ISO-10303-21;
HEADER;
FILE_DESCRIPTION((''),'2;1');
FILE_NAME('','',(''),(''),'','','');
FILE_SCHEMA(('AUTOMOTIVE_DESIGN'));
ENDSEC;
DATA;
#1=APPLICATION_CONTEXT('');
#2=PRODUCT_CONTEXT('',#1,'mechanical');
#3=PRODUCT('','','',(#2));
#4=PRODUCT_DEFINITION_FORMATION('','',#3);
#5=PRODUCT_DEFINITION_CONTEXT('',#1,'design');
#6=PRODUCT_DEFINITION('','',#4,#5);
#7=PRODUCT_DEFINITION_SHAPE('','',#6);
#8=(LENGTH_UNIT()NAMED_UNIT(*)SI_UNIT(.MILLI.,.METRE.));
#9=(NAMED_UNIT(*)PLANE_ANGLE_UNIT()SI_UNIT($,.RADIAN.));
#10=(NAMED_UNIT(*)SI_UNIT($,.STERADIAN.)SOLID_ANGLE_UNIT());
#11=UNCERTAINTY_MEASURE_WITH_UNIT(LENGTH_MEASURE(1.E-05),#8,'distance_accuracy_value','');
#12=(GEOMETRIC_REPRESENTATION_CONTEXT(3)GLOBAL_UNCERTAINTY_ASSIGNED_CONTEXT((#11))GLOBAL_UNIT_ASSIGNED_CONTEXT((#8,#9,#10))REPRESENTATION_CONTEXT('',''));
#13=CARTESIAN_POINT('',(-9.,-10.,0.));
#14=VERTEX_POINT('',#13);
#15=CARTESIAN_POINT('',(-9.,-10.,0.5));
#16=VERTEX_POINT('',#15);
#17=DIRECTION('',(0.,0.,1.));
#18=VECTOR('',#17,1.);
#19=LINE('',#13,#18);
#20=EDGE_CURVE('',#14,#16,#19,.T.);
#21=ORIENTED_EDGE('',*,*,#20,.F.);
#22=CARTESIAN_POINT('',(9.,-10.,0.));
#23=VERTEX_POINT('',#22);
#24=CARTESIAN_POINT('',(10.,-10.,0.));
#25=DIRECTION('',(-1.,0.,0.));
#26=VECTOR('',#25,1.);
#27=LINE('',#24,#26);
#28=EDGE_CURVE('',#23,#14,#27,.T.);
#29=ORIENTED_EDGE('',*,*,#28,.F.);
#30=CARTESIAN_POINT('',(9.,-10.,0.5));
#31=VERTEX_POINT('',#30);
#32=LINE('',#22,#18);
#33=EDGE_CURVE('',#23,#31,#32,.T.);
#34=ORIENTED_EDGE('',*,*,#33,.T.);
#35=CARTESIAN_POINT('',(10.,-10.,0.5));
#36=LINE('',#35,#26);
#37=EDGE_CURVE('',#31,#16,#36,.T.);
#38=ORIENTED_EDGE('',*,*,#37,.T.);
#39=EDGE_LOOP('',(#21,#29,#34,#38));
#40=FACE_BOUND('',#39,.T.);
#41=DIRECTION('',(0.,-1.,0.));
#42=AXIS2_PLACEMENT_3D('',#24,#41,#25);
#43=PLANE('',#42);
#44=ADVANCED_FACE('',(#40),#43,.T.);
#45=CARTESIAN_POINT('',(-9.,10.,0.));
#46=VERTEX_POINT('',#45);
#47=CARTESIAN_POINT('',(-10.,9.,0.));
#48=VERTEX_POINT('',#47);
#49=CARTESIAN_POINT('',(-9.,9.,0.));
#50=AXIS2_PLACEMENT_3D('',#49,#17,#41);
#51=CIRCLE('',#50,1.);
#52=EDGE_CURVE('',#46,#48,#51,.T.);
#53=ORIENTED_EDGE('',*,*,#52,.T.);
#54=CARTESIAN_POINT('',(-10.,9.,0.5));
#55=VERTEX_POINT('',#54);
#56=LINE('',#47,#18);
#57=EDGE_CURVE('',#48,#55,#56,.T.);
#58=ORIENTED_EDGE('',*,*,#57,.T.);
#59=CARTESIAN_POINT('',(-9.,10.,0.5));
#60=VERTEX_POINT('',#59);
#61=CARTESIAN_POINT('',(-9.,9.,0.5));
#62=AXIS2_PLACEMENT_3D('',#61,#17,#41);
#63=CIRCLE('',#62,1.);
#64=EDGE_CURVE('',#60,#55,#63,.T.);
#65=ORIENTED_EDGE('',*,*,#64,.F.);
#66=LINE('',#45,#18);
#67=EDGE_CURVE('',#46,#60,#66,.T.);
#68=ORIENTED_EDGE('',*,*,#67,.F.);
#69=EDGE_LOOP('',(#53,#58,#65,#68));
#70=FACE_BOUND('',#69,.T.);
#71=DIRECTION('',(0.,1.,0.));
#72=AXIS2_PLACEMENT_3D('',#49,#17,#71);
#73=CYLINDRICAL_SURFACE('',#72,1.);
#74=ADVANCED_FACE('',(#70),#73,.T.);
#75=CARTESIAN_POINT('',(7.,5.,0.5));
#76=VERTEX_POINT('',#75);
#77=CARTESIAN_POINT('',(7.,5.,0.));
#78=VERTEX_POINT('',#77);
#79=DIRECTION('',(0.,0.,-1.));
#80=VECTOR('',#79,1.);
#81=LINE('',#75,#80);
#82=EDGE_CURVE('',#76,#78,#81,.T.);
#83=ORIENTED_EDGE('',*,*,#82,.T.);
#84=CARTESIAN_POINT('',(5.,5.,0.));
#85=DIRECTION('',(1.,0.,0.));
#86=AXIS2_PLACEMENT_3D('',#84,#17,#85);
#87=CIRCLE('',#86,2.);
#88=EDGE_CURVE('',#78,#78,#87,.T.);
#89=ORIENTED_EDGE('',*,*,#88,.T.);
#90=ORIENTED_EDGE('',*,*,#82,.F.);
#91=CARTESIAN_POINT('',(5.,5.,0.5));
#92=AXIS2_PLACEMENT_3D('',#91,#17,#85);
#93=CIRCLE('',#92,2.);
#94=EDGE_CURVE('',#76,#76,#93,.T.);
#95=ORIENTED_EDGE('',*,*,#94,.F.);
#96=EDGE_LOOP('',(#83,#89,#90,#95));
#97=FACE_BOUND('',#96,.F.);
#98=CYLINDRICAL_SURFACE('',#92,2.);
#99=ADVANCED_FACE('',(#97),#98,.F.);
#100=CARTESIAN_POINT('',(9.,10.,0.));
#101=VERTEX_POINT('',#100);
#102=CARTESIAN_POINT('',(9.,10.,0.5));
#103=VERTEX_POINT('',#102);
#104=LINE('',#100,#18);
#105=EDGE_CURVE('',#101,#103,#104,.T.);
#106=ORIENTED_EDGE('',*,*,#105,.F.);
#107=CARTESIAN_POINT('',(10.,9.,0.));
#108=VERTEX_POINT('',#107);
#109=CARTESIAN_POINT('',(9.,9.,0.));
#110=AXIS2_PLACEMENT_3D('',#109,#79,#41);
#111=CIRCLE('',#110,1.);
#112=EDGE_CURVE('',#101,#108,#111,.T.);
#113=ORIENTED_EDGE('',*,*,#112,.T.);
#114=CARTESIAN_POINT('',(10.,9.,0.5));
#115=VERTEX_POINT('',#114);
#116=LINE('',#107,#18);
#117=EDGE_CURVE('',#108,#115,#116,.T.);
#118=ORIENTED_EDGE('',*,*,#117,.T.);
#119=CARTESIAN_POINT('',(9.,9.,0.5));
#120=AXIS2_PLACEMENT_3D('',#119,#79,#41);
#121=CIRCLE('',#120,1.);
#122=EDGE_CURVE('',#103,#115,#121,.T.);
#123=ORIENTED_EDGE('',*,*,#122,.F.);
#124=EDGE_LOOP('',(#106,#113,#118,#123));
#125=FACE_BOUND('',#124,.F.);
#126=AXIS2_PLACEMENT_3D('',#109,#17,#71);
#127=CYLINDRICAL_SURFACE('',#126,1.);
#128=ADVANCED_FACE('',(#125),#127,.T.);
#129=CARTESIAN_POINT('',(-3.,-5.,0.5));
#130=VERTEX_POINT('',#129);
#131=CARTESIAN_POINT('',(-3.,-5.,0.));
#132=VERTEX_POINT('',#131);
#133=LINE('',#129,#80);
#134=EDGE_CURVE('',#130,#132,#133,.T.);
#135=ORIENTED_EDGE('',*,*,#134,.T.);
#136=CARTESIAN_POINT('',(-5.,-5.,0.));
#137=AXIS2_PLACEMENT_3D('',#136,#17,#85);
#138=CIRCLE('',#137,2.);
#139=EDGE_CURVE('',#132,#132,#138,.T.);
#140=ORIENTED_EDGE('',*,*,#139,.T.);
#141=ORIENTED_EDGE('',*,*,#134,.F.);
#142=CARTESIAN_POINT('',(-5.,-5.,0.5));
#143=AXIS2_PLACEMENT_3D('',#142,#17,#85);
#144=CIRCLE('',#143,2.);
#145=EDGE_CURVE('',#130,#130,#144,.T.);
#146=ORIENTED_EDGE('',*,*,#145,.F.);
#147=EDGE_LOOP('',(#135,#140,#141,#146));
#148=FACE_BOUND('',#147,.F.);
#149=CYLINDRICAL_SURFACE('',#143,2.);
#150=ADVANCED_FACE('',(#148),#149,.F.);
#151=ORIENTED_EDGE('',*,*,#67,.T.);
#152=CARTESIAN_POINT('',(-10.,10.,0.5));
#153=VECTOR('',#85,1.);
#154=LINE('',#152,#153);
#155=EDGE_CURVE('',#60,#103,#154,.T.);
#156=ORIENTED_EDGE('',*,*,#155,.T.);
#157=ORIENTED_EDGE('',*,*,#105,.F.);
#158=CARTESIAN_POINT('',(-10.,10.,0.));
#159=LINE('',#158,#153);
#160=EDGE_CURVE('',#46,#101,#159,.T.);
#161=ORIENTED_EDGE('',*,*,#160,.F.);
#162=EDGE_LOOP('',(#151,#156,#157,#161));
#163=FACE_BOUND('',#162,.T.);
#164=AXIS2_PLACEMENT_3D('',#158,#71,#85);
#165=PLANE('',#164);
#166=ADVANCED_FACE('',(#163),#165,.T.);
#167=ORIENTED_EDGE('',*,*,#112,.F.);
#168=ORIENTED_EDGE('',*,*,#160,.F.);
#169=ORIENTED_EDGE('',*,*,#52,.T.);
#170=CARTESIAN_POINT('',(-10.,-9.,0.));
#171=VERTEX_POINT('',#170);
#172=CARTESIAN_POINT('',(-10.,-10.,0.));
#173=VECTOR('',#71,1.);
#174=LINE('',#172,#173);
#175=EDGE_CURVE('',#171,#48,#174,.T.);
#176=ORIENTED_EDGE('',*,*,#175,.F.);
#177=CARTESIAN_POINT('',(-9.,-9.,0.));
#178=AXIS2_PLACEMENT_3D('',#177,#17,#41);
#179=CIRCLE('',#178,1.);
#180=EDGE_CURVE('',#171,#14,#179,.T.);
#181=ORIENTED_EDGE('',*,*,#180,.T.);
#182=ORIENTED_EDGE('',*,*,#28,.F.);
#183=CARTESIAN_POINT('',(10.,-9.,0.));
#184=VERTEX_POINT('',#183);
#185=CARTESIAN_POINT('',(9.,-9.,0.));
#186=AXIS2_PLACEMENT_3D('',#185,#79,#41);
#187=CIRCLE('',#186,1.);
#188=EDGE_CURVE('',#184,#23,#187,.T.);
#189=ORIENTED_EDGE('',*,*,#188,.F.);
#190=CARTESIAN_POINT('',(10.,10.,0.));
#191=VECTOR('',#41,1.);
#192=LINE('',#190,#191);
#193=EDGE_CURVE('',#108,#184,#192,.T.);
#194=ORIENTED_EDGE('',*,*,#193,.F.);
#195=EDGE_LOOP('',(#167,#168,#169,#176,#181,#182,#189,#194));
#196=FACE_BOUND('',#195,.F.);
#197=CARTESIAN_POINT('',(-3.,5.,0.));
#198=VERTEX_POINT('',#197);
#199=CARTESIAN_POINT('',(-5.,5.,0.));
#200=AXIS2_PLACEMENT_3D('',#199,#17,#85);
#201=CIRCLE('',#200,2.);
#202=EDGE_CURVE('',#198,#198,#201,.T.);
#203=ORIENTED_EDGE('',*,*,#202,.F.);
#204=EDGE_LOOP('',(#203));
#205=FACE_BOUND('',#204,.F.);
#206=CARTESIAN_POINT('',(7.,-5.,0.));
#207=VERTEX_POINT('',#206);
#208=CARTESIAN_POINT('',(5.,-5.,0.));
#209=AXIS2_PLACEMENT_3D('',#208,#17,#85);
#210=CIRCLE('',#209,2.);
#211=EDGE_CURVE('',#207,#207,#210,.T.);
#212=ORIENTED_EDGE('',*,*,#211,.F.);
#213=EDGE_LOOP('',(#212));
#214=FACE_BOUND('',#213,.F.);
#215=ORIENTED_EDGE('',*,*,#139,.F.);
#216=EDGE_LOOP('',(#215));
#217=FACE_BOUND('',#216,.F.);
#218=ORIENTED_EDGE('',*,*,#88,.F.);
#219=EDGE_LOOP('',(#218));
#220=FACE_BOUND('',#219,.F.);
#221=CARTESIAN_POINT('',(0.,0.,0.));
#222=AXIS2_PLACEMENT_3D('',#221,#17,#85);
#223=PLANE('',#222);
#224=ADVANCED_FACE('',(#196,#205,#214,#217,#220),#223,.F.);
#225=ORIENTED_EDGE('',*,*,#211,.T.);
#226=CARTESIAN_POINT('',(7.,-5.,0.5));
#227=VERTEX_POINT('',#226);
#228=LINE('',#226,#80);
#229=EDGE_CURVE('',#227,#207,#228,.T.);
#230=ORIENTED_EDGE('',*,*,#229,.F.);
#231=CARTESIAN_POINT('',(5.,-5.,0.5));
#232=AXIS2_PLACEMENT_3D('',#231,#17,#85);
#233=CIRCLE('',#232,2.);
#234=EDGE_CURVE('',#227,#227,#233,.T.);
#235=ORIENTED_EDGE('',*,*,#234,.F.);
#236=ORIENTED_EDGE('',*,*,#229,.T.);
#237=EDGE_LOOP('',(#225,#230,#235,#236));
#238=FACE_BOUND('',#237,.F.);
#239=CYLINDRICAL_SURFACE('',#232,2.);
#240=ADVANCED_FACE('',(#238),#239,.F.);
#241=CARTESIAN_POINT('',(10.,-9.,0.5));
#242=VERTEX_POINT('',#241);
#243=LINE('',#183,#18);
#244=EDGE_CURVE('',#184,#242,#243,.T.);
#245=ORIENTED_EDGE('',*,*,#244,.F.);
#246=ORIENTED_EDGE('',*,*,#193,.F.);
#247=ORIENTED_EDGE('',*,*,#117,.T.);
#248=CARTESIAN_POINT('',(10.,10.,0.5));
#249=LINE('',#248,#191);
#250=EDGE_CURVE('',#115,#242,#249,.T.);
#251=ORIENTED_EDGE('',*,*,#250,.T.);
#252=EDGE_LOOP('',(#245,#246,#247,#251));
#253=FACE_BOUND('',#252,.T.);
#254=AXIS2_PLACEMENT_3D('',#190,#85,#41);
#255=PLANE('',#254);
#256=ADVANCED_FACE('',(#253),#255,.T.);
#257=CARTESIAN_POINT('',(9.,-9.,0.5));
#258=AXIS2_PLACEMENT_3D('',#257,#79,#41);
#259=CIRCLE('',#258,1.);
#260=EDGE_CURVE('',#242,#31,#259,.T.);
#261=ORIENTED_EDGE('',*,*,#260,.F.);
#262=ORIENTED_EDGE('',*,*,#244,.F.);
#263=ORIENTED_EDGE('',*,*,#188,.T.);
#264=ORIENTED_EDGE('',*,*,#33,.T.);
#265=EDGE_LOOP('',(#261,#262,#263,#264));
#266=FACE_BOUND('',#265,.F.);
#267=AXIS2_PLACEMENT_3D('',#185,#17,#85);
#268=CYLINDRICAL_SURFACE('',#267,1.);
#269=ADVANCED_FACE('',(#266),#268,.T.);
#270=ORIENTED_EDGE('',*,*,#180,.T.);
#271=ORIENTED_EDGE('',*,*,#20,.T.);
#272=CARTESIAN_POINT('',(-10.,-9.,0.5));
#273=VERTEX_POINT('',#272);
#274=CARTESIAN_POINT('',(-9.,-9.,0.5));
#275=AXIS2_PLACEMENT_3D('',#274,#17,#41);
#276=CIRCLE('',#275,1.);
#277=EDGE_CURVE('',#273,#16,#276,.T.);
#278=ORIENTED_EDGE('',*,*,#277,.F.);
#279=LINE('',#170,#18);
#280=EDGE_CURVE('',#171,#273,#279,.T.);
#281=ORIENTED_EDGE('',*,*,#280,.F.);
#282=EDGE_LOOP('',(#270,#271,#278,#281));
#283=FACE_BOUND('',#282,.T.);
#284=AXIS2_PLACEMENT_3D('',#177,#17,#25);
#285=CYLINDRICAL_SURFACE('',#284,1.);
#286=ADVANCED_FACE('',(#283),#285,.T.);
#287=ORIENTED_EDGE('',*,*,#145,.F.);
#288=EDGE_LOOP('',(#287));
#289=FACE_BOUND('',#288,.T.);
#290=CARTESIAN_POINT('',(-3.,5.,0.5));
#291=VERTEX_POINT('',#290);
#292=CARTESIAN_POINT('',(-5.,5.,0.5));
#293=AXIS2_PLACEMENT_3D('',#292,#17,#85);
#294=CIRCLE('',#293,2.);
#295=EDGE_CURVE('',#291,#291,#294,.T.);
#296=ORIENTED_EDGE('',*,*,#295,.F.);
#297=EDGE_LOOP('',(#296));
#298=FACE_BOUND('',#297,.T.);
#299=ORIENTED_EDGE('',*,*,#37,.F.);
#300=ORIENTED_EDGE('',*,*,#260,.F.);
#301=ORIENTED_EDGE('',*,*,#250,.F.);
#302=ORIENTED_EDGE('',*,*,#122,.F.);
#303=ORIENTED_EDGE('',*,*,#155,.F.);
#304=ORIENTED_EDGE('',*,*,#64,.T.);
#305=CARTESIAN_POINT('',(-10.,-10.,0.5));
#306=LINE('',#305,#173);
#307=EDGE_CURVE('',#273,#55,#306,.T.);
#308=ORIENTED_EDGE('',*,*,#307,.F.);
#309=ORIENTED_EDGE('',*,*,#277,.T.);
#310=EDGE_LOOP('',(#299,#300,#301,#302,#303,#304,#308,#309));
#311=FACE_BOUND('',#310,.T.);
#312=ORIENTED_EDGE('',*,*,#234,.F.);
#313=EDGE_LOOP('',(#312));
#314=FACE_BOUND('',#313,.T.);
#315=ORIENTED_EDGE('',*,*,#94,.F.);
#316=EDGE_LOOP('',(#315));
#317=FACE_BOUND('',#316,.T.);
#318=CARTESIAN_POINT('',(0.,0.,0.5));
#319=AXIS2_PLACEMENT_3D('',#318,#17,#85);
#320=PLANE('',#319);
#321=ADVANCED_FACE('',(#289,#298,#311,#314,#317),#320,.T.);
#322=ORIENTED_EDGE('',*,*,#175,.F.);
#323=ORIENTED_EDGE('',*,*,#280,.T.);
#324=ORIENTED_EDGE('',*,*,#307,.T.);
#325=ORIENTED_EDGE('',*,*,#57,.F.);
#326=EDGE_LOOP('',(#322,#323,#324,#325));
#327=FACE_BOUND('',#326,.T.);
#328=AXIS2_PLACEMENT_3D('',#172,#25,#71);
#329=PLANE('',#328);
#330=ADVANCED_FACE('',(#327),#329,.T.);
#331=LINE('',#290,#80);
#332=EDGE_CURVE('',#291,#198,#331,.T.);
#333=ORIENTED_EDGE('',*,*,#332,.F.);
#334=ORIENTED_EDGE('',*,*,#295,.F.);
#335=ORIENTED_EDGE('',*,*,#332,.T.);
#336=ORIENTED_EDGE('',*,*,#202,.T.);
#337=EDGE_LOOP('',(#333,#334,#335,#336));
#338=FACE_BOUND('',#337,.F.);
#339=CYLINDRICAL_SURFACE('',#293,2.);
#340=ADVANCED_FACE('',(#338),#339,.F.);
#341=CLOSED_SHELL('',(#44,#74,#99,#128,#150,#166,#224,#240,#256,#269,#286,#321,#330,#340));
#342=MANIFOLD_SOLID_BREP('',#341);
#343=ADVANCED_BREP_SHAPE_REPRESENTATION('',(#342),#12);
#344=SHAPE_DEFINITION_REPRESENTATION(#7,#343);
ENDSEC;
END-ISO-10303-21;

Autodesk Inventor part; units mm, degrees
ref_plane "YZ Plane" through (0, 0, 0) normal (1, 0, 0) x (0, 1, 0)
ref_plane "XZ Plane" through (0, 0, 0) normal (0, 1, 0) x (-1, 0, 0)
ref_plane "XY Plane" through (0, 0, 0) normal (0, 0, 1) x (1, 0, 0)
sketch "Náčrt1" plane through (0, 0, 0) normal (0, 0, 1) x (1, 0, 0)
  line L0 (-10, 10) -> (10, 10)
  line L1 (10, 10) -> (10, -10)
  line L2 (10, -10) -> (-10, -10)
  line L3 (-10, -10) -> (-10, 10)
  point P0 (0, 0)
  dimension "d0" = 20
  dimension "d1" = 20
  dimension "d2" = 10
  dimension "d3" = 10
extrude "Vysunutí1" add sketch "Náčrt1" along normal blind 0.5
sketch "Náčrt2" plane through (0, 0, 0.5) normal (0, 0, 1) x (1, 0, 0)
  circle A0 centre (-5, 5) radius 2
  line L0 (10, 10) -> (-10, 10) projected
  line L1 (-10, 10) -> (-10, -10) projected
  point P0 (0, 0)
  dimension "d6" = 4
  dimension "d7" = 5
  dimension "d8" = 5
extrude "Vysunutí2" cut sketch "Náčrt2" against normal blind 0.5
pattern_linear "Obdélníkové pole1" count 2 spacing 10 along (1, 0, 0) count 2 spacing 10 along (0, -1, 0) of "Vysunutí2"
fillet "Zaoblení1" radius 1 1 edges at (10, 10, 0.25)
fillet "Zaoblení2" radius 1 2 edges at (-10, 10, 0.25) (-10, -10, 0.25)
fillet "Zaoblení3" radius 1 1 edges at (10, -10, 0.25)
properties part number "4076"
